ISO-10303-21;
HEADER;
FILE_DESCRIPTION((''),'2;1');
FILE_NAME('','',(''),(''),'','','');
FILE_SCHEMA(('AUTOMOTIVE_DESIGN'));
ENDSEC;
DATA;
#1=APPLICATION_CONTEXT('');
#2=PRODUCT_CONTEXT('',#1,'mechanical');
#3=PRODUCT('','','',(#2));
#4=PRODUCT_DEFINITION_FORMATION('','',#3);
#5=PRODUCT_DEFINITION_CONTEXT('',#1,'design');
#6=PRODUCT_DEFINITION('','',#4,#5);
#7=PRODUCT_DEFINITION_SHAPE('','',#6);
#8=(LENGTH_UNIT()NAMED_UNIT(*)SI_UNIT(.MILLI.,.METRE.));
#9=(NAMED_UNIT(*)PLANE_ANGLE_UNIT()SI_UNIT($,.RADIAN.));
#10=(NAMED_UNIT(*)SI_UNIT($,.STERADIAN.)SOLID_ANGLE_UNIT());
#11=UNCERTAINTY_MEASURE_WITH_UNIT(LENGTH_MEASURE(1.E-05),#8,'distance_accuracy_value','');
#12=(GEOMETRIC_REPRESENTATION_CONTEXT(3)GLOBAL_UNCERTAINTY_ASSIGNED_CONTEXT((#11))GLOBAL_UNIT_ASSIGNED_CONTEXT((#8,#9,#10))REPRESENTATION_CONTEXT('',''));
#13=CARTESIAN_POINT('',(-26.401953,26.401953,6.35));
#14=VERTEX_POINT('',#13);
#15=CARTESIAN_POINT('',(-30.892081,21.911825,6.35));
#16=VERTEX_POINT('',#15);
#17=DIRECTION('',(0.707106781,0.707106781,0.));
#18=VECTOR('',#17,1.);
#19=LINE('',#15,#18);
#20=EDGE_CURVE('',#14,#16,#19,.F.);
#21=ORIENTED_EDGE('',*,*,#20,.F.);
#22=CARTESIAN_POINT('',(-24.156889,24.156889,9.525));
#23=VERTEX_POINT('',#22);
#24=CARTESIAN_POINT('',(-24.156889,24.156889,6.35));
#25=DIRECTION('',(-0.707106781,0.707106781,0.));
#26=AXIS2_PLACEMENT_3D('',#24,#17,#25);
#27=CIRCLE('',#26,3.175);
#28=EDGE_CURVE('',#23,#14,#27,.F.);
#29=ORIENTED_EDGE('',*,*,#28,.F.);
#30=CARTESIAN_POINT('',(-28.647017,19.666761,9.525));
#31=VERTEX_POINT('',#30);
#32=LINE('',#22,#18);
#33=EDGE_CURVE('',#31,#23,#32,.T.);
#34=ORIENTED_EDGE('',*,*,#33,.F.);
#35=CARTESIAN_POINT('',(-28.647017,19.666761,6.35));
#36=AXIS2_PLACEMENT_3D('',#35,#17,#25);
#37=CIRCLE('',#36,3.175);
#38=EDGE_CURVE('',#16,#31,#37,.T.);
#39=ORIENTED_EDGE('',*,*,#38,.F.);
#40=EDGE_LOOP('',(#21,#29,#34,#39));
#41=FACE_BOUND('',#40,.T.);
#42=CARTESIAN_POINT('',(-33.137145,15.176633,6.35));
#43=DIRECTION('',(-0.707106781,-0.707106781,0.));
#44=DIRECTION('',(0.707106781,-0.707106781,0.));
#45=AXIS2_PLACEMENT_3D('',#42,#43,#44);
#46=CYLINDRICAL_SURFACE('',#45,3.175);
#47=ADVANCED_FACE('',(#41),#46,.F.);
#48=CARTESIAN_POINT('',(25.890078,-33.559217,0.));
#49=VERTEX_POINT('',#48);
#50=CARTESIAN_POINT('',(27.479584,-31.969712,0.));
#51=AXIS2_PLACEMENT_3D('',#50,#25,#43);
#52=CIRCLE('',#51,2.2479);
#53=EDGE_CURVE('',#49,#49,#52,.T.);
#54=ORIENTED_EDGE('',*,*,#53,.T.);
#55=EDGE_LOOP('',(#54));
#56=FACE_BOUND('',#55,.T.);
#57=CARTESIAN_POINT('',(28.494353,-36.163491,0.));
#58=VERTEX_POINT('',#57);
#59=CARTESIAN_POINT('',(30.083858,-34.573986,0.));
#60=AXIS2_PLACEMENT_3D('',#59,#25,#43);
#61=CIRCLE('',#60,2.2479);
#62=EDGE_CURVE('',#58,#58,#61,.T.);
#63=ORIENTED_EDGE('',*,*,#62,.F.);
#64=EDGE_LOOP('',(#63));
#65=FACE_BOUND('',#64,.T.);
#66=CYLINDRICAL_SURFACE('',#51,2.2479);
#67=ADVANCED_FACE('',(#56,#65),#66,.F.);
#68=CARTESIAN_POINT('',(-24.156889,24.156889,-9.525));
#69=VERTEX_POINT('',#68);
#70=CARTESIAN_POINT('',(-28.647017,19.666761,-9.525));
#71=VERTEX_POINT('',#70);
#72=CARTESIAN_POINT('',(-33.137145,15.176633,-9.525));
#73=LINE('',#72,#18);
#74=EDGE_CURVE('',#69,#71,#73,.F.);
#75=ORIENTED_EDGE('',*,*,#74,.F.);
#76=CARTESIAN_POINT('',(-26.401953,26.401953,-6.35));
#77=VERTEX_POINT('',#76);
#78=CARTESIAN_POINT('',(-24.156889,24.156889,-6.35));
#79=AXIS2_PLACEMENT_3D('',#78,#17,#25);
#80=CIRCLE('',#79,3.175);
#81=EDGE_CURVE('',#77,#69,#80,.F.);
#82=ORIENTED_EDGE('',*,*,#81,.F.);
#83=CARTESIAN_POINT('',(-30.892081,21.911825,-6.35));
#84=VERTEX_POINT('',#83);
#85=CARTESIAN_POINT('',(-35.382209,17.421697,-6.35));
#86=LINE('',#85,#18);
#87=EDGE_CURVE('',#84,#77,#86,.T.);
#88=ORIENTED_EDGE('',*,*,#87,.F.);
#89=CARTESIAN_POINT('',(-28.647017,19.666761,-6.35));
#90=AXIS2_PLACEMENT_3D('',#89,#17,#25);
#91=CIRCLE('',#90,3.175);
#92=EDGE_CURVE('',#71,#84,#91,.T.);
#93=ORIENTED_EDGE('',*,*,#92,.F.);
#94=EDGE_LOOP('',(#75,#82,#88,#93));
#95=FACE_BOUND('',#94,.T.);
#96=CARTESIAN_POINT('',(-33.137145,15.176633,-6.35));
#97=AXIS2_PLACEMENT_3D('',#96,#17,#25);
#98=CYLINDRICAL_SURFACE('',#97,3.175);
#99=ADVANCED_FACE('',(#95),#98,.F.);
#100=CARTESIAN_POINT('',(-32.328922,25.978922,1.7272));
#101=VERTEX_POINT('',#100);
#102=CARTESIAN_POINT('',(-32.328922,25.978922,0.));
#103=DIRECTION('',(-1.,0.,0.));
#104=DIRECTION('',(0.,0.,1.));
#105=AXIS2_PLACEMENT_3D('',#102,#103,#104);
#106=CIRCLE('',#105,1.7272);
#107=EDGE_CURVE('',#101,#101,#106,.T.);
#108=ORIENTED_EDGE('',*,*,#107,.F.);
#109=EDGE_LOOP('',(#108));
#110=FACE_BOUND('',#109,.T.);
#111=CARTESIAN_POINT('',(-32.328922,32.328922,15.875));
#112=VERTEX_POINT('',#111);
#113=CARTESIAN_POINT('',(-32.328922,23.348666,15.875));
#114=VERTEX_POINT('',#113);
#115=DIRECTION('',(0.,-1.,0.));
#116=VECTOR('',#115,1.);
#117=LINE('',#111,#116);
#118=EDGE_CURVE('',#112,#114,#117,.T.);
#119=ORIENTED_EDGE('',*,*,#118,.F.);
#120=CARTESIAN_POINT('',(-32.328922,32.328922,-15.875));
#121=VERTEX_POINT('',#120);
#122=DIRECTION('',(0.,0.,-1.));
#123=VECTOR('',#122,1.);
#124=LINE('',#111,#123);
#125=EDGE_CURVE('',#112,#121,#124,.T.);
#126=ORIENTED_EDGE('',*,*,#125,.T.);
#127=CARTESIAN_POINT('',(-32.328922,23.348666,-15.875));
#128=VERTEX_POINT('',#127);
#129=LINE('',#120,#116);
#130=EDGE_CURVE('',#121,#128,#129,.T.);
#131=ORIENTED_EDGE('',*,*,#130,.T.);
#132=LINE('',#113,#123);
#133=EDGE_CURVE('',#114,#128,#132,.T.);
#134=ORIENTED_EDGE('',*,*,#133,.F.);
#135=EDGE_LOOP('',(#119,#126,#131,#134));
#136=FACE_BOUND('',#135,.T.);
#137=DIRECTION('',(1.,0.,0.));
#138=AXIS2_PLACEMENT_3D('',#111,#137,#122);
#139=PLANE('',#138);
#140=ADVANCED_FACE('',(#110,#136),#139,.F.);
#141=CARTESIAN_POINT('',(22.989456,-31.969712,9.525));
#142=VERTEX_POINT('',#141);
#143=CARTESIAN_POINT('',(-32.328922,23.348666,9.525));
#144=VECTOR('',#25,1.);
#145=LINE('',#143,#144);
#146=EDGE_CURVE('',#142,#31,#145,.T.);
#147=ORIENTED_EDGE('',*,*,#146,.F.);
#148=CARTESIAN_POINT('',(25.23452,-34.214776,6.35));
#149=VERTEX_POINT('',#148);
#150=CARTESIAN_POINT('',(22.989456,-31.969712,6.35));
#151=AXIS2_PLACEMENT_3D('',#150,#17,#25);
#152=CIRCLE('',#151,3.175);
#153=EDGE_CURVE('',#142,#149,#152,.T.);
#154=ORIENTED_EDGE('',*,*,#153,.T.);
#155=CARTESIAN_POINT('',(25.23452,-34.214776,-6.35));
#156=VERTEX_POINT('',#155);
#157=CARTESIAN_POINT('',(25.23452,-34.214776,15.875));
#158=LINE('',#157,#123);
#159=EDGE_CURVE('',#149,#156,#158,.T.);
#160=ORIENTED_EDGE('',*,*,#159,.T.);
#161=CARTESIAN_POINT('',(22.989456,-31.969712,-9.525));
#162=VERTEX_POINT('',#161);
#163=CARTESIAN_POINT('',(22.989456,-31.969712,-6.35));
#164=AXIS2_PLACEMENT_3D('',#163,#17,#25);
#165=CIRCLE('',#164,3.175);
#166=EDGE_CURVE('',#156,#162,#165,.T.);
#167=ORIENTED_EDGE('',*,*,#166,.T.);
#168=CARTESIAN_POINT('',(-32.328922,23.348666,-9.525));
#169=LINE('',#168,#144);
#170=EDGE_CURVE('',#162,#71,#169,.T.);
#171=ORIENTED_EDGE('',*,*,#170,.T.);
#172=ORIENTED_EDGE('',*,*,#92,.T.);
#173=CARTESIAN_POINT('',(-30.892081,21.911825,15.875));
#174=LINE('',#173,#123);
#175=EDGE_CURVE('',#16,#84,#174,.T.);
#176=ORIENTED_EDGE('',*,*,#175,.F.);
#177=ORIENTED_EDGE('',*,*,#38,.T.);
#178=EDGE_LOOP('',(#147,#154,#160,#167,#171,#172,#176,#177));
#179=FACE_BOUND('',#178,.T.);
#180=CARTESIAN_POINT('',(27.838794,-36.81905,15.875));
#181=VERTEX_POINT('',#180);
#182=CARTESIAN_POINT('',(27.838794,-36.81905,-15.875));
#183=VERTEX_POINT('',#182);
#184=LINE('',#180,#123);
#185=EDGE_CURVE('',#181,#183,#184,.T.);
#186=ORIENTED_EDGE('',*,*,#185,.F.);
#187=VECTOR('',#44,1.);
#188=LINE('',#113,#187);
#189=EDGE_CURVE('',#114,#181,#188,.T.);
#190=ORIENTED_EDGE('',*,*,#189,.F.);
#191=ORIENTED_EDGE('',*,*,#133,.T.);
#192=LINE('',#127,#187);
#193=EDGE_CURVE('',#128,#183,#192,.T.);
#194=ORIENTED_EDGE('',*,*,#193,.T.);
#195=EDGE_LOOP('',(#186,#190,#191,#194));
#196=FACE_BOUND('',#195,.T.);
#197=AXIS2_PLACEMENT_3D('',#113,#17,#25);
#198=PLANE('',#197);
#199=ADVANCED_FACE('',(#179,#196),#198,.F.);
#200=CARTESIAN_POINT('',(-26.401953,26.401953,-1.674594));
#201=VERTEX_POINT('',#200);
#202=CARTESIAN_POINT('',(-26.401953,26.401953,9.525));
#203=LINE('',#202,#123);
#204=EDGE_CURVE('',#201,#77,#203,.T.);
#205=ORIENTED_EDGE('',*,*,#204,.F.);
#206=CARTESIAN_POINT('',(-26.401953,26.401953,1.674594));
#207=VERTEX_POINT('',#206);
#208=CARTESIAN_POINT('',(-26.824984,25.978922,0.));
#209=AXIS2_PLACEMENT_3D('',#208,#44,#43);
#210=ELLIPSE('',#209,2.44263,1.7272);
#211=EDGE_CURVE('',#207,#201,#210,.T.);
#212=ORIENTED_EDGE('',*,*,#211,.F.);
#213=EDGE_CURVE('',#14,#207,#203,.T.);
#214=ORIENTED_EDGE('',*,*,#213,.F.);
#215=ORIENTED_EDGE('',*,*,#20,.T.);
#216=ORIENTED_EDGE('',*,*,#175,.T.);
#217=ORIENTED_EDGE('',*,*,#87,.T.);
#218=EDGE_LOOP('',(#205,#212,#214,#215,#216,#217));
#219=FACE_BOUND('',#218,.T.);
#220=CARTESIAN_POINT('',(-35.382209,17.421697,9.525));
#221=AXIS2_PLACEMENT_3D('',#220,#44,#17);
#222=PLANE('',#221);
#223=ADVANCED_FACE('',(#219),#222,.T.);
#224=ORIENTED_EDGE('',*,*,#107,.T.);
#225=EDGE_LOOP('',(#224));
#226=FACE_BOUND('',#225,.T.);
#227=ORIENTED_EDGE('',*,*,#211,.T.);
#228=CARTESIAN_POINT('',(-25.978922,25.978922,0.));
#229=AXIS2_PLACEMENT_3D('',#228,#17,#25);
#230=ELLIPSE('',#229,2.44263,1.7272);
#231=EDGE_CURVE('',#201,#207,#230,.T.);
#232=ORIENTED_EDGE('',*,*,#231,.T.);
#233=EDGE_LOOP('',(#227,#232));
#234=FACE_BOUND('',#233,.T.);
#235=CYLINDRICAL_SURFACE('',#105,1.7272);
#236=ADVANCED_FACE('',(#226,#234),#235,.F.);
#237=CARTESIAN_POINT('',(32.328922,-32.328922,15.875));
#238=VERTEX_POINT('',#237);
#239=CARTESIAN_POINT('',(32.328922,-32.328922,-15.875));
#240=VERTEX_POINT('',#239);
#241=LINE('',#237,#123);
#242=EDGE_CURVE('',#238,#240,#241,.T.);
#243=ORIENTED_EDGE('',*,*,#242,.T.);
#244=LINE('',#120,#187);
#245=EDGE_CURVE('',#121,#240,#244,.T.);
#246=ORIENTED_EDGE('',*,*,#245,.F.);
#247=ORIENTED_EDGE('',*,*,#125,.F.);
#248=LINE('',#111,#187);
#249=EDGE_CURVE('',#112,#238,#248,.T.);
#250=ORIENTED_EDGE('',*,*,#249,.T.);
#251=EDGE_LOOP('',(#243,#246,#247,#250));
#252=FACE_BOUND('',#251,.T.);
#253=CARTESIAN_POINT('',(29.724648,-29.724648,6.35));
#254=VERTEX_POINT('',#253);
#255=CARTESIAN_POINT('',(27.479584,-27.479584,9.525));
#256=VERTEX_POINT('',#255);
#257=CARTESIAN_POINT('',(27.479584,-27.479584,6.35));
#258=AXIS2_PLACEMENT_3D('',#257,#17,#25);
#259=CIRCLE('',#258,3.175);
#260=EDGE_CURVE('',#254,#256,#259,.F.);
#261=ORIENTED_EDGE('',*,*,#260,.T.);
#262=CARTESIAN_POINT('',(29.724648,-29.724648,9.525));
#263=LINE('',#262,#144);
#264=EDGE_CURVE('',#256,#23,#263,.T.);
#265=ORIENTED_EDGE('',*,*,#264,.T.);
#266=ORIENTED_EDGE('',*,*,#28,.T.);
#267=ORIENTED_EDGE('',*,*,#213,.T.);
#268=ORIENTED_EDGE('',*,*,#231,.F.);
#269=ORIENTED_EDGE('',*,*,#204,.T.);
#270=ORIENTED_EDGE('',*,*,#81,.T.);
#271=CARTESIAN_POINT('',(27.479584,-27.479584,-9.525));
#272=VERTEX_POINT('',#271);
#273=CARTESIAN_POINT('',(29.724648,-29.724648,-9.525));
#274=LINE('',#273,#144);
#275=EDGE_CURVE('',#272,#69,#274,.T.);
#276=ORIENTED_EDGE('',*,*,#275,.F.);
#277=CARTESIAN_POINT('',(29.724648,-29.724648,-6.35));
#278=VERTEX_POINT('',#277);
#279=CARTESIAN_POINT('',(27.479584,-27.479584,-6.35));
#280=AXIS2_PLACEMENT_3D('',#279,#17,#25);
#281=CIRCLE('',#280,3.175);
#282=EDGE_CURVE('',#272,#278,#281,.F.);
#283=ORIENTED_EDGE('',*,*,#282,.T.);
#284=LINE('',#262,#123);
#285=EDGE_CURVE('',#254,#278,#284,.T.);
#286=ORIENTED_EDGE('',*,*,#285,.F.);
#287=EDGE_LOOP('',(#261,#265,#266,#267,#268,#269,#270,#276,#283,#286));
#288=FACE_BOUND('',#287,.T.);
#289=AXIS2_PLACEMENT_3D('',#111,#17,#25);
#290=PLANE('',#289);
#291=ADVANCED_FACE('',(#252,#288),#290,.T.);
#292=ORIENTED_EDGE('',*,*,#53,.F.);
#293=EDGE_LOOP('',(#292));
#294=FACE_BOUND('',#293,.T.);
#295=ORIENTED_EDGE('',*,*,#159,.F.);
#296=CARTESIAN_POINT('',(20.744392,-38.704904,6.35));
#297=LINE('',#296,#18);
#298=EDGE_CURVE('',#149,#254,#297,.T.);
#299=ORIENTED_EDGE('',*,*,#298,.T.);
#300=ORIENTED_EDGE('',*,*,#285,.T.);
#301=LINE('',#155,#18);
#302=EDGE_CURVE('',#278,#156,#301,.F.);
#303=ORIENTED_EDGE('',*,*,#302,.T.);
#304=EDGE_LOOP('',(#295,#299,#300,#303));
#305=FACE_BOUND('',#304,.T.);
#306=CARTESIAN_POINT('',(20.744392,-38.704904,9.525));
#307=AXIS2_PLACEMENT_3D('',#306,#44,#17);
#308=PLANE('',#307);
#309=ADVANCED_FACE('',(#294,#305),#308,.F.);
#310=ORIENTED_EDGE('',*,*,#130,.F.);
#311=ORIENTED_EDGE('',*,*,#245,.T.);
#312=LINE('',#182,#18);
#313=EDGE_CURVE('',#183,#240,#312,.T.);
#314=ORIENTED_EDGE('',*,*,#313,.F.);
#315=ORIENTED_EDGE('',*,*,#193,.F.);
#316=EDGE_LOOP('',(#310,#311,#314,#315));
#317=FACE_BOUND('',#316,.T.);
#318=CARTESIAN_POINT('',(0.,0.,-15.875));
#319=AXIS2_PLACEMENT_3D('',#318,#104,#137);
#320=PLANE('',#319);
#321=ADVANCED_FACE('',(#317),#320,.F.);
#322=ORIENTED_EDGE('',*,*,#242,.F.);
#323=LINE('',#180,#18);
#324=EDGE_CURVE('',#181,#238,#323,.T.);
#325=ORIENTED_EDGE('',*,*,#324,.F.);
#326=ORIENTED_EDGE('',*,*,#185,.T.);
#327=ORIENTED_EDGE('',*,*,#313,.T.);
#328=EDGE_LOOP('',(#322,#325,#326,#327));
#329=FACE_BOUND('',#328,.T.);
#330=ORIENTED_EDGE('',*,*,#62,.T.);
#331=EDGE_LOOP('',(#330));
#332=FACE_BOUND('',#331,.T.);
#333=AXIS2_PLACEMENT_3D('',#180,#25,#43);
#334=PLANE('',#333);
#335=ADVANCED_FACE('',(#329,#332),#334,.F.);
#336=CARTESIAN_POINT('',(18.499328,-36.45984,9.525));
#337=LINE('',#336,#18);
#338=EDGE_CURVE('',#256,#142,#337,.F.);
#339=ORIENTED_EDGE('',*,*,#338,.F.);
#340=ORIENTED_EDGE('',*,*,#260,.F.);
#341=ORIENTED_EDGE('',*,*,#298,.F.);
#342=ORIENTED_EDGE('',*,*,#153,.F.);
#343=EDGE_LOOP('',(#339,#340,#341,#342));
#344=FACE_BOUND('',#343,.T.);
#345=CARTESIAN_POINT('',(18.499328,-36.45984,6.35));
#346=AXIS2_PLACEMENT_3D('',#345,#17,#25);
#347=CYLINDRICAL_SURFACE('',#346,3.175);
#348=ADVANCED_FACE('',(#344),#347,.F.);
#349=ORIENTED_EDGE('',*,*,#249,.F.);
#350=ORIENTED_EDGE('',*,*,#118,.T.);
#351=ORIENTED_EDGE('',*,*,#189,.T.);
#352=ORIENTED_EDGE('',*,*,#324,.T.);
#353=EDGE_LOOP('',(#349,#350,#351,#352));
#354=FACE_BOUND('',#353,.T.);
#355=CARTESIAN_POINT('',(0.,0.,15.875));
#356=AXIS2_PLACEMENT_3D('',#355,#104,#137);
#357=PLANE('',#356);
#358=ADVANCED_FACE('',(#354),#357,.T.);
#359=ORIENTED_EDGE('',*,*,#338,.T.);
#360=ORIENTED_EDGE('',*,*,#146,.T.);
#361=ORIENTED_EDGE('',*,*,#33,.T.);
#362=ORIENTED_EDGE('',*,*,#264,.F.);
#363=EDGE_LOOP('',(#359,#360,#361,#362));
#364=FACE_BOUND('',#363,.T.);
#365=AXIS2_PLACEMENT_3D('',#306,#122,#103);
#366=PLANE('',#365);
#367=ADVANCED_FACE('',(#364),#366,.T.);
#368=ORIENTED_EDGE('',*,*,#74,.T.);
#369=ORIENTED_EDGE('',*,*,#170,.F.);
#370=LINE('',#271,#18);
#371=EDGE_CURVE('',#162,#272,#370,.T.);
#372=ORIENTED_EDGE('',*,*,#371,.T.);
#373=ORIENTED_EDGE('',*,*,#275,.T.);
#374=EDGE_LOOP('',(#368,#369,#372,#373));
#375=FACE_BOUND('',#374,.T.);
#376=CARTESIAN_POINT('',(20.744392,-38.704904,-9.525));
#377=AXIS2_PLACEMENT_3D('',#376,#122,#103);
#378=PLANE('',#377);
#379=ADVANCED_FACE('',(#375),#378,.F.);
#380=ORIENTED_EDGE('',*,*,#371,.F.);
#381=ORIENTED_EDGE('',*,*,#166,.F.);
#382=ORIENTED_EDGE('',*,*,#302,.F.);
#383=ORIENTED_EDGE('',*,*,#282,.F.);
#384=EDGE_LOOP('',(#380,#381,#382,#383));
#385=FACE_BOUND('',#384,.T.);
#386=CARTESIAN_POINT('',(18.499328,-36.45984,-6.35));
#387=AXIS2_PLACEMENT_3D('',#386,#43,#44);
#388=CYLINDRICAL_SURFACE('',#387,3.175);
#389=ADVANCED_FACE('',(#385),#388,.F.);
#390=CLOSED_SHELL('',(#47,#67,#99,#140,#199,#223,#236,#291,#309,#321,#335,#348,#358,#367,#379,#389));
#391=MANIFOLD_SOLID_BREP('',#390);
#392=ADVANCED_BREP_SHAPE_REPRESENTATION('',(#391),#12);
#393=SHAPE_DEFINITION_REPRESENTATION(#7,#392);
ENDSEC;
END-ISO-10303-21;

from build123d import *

# Parameters (mm, degrees)
BOSS_EXTRUDE1_DEPTH       = 15.875
SKETCH2_W                 = 19.05
SKETCH2_H                 = 79.375
CUT_EXTRUDE1_DEPTH        = 12.7
FILLET1_R                 = 3.175
F_8_CLEARANCE_HOLE1_D     = 4.4958
F_8_CLEARANCE_HOLE1_DEPTH = 16.51
F_8_CLEARANCE_HOLE1_TIP   = 1.350674586
F_8_32_TAPPED_HOLE1_D     = 3.4544


with BuildPart() as part:
    # Sketch1 → Boss-Extrude1 (new, symmetric)
    with BuildSketch(Plane.XY):
        Polygon((-32.328922036, 32.328922036), (-32.328922036, 23.348665915), (27.838793975, -36.819050096), (32.328922036, -32.328922036), align=None)
    extrude(amount=BOSS_EXTRUDE1_DEPTH, both=True)

    # Sketch2 → Cut-Extrude1 (cut)
    with BuildSketch(Plane(origin=(0, 0, 0), x_dir=(0, 0, -1), z_dir=(0.7071067811865461, 0.707106781186549, 0))):
        with Locations((0, -2.3495)):
            Rectangle(SKETCH2_W, SKETCH2_H)
    extrude(amount=-CUT_EXTRUDE1_DEPTH, mode=Mode.SUBTRACT)

    # Fillet1
    fillet1_edges = [part.edges().sort_by_distance(p)[0] for p in [
        (27.47958373, -31.969711791, 9.525),
        (-28.647017026, 24.156888966, 9.525),
        (-28.647017026, 24.156888966, -9.525),
        (27.47958373, -31.969711791, -9.525),
    ]]
    fillet(fillet1_edges, radius=FILLET1_R)

    # #8 Clearance Hole1
    with Locations(Plane(origin=(29.724647761, -29.724647761, 0), x_dir=(0, 0, 1), z_dir=(-0.7071067811865489, 0.7071067811865462, 0))):
        with Locations((0, -3.175)):
            Hole(F_8_CLEARANCE_HOLE1_D / 2, depth=F_8_CLEARANCE_HOLE1_DEPTH)
            with Locations((0, 0, -(F_8_CLEARANCE_HOLE1_DEPTH + F_8_CLEARANCE_HOLE1_TIP / 2))):  # 118° drill point
                Cone(0, F_8_CLEARANCE_HOLE1_D / 2, F_8_CLEARANCE_HOLE1_TIP, mode=Mode.SUBTRACT)

    # #8-32 Tapped Hole1 (through all)
    with Locations(Plane.ZY.offset(32.328922036)):
        with Locations((0, 25.978922036)):
            Hole(F_8_32_TAPPED_HOLE1_D / 2)


solid = part.part
